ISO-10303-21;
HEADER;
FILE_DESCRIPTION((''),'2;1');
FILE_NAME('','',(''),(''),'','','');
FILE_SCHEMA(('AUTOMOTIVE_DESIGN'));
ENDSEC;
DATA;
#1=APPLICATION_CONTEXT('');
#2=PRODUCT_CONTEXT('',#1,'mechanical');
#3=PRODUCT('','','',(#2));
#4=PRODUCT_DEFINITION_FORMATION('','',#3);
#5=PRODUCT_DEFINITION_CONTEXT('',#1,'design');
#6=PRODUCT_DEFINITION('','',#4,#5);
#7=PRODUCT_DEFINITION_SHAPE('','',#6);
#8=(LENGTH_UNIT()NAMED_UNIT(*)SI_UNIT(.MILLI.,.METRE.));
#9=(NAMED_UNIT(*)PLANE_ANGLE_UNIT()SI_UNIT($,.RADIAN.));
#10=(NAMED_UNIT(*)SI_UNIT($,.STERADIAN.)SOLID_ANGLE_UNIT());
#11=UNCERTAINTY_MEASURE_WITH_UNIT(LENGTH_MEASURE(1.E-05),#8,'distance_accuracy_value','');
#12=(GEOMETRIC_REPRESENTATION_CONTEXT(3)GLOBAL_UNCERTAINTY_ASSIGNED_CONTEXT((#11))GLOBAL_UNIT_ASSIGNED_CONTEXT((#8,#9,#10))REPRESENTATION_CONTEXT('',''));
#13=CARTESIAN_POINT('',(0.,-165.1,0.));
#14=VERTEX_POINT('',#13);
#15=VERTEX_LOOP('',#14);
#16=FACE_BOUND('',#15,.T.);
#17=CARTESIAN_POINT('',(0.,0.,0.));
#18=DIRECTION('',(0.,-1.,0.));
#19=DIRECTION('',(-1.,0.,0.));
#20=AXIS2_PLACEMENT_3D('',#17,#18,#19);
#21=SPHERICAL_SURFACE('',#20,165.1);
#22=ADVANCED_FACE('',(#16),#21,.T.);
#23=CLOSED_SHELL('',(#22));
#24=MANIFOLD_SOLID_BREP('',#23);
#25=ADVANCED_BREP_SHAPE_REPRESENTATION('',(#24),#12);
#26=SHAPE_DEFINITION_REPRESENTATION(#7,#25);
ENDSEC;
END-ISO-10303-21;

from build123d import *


with BuildPart() as part:
    # Sketch1 → Revolve2 (revolve)
    with BuildSketch(Plane.XY):
        with BuildLine():
            ThreePointArc((0, 165.1), (165.1, 0), (0, -165.1))
            Line((0, -165.1), (0, 165.1))
        make_face()
    revolve(axis=Axis((0, -165.1, 0), (0, 1, 0)))


solid = part.part
